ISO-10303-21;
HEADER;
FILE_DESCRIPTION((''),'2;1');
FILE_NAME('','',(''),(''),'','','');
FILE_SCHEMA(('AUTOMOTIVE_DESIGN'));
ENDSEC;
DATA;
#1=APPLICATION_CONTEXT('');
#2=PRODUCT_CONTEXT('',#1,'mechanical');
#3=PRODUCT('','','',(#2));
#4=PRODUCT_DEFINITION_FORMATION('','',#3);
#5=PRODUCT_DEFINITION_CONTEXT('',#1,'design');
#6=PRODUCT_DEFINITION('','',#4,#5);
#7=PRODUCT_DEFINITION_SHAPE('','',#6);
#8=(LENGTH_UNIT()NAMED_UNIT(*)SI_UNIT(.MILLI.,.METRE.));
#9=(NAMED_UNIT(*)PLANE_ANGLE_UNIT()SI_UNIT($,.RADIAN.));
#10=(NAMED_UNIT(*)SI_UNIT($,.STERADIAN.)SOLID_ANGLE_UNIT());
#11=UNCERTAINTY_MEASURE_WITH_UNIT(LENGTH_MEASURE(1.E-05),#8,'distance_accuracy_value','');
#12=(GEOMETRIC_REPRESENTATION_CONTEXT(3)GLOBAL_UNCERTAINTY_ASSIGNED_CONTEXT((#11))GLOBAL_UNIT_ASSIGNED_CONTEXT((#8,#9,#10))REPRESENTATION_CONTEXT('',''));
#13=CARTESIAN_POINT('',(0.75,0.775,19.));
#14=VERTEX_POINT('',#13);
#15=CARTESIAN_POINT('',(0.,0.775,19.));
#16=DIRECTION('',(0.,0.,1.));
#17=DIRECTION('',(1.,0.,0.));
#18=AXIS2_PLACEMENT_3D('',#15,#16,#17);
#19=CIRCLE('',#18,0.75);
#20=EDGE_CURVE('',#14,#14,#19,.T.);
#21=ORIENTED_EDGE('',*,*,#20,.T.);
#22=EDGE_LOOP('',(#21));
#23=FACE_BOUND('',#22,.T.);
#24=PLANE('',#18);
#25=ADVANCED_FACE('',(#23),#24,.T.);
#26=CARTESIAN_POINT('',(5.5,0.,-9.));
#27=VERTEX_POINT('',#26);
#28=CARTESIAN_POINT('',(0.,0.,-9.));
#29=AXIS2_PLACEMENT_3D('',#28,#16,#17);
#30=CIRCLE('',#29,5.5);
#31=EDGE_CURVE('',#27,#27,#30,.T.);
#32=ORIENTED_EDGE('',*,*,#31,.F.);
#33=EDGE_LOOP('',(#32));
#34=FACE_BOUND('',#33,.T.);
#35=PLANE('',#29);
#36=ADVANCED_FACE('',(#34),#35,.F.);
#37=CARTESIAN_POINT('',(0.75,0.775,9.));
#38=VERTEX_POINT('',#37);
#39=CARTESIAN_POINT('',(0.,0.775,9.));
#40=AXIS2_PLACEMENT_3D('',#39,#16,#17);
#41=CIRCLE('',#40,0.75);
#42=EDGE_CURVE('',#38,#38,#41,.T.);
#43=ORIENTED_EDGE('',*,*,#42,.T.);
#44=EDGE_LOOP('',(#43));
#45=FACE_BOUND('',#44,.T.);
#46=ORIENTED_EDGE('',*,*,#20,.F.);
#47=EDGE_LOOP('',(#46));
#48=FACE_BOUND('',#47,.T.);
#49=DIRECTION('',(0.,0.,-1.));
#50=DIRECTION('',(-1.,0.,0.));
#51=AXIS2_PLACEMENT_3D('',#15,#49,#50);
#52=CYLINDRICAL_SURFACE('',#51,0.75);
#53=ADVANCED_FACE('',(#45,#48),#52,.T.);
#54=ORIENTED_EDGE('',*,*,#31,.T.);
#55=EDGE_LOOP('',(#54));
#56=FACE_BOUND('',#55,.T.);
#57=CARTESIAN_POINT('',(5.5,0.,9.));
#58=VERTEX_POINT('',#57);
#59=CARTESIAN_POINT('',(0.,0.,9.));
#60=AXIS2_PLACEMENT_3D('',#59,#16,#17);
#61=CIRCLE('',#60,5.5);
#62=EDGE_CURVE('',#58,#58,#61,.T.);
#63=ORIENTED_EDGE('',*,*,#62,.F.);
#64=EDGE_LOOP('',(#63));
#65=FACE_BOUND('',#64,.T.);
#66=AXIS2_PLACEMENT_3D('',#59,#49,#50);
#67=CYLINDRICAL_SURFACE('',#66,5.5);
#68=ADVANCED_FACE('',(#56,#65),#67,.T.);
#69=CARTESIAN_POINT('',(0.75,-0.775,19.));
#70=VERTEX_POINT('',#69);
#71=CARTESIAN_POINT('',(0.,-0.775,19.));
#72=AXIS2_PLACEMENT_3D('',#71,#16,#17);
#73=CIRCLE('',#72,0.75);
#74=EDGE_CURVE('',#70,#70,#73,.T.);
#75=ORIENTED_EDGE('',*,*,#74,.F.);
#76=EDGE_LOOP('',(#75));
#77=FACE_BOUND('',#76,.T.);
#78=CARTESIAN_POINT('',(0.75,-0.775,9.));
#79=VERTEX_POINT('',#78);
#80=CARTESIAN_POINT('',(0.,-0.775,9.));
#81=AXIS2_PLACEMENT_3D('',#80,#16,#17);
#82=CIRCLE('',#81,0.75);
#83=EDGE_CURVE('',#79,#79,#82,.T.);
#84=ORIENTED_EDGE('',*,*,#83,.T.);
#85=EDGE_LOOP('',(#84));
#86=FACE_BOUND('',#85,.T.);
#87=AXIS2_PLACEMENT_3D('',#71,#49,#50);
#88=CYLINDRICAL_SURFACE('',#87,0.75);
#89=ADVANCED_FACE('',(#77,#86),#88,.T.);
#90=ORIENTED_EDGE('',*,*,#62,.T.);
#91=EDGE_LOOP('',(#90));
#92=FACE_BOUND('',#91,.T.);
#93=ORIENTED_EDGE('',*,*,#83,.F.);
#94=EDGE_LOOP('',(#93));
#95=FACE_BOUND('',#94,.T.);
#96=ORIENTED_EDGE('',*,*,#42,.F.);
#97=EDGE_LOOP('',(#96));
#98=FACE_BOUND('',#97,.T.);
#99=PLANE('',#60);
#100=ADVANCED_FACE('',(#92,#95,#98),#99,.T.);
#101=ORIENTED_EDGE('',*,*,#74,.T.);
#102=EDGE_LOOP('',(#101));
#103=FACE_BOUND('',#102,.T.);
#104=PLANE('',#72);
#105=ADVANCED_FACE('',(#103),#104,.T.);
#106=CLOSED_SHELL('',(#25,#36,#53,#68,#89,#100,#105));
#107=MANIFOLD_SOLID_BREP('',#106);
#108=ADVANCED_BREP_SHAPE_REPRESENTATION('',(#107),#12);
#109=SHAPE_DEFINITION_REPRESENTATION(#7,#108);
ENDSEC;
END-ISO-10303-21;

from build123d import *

# Parameters (mm, degrees)
SKETCH_1_R        = 5.5
EXTRUDE_311_DEPTH = 9
SKETCH_2_R        = 0.75
EXTRUDE_525_DEPTH = 10


with BuildPart() as part:
    # Эскиз1 → Extrude 311 (new, symmetric)
    with BuildSketch(Plane.XY):
        Circle(SKETCH_1_R)
    extrude(amount=EXTRUDE_311_DEPTH, both=True)

    # Эскиз2 → Extrude 525 (add)
    with BuildSketch(Plane.XY.offset(9)):
        with Locations((0, -0.775)):
            Circle(SKETCH_2_R)
        with Locations((0, 0.775)):
            Circle(SKETCH_2_R)
    extrude(amount=EXTRUDE_525_DEPTH)


solid = part.part
